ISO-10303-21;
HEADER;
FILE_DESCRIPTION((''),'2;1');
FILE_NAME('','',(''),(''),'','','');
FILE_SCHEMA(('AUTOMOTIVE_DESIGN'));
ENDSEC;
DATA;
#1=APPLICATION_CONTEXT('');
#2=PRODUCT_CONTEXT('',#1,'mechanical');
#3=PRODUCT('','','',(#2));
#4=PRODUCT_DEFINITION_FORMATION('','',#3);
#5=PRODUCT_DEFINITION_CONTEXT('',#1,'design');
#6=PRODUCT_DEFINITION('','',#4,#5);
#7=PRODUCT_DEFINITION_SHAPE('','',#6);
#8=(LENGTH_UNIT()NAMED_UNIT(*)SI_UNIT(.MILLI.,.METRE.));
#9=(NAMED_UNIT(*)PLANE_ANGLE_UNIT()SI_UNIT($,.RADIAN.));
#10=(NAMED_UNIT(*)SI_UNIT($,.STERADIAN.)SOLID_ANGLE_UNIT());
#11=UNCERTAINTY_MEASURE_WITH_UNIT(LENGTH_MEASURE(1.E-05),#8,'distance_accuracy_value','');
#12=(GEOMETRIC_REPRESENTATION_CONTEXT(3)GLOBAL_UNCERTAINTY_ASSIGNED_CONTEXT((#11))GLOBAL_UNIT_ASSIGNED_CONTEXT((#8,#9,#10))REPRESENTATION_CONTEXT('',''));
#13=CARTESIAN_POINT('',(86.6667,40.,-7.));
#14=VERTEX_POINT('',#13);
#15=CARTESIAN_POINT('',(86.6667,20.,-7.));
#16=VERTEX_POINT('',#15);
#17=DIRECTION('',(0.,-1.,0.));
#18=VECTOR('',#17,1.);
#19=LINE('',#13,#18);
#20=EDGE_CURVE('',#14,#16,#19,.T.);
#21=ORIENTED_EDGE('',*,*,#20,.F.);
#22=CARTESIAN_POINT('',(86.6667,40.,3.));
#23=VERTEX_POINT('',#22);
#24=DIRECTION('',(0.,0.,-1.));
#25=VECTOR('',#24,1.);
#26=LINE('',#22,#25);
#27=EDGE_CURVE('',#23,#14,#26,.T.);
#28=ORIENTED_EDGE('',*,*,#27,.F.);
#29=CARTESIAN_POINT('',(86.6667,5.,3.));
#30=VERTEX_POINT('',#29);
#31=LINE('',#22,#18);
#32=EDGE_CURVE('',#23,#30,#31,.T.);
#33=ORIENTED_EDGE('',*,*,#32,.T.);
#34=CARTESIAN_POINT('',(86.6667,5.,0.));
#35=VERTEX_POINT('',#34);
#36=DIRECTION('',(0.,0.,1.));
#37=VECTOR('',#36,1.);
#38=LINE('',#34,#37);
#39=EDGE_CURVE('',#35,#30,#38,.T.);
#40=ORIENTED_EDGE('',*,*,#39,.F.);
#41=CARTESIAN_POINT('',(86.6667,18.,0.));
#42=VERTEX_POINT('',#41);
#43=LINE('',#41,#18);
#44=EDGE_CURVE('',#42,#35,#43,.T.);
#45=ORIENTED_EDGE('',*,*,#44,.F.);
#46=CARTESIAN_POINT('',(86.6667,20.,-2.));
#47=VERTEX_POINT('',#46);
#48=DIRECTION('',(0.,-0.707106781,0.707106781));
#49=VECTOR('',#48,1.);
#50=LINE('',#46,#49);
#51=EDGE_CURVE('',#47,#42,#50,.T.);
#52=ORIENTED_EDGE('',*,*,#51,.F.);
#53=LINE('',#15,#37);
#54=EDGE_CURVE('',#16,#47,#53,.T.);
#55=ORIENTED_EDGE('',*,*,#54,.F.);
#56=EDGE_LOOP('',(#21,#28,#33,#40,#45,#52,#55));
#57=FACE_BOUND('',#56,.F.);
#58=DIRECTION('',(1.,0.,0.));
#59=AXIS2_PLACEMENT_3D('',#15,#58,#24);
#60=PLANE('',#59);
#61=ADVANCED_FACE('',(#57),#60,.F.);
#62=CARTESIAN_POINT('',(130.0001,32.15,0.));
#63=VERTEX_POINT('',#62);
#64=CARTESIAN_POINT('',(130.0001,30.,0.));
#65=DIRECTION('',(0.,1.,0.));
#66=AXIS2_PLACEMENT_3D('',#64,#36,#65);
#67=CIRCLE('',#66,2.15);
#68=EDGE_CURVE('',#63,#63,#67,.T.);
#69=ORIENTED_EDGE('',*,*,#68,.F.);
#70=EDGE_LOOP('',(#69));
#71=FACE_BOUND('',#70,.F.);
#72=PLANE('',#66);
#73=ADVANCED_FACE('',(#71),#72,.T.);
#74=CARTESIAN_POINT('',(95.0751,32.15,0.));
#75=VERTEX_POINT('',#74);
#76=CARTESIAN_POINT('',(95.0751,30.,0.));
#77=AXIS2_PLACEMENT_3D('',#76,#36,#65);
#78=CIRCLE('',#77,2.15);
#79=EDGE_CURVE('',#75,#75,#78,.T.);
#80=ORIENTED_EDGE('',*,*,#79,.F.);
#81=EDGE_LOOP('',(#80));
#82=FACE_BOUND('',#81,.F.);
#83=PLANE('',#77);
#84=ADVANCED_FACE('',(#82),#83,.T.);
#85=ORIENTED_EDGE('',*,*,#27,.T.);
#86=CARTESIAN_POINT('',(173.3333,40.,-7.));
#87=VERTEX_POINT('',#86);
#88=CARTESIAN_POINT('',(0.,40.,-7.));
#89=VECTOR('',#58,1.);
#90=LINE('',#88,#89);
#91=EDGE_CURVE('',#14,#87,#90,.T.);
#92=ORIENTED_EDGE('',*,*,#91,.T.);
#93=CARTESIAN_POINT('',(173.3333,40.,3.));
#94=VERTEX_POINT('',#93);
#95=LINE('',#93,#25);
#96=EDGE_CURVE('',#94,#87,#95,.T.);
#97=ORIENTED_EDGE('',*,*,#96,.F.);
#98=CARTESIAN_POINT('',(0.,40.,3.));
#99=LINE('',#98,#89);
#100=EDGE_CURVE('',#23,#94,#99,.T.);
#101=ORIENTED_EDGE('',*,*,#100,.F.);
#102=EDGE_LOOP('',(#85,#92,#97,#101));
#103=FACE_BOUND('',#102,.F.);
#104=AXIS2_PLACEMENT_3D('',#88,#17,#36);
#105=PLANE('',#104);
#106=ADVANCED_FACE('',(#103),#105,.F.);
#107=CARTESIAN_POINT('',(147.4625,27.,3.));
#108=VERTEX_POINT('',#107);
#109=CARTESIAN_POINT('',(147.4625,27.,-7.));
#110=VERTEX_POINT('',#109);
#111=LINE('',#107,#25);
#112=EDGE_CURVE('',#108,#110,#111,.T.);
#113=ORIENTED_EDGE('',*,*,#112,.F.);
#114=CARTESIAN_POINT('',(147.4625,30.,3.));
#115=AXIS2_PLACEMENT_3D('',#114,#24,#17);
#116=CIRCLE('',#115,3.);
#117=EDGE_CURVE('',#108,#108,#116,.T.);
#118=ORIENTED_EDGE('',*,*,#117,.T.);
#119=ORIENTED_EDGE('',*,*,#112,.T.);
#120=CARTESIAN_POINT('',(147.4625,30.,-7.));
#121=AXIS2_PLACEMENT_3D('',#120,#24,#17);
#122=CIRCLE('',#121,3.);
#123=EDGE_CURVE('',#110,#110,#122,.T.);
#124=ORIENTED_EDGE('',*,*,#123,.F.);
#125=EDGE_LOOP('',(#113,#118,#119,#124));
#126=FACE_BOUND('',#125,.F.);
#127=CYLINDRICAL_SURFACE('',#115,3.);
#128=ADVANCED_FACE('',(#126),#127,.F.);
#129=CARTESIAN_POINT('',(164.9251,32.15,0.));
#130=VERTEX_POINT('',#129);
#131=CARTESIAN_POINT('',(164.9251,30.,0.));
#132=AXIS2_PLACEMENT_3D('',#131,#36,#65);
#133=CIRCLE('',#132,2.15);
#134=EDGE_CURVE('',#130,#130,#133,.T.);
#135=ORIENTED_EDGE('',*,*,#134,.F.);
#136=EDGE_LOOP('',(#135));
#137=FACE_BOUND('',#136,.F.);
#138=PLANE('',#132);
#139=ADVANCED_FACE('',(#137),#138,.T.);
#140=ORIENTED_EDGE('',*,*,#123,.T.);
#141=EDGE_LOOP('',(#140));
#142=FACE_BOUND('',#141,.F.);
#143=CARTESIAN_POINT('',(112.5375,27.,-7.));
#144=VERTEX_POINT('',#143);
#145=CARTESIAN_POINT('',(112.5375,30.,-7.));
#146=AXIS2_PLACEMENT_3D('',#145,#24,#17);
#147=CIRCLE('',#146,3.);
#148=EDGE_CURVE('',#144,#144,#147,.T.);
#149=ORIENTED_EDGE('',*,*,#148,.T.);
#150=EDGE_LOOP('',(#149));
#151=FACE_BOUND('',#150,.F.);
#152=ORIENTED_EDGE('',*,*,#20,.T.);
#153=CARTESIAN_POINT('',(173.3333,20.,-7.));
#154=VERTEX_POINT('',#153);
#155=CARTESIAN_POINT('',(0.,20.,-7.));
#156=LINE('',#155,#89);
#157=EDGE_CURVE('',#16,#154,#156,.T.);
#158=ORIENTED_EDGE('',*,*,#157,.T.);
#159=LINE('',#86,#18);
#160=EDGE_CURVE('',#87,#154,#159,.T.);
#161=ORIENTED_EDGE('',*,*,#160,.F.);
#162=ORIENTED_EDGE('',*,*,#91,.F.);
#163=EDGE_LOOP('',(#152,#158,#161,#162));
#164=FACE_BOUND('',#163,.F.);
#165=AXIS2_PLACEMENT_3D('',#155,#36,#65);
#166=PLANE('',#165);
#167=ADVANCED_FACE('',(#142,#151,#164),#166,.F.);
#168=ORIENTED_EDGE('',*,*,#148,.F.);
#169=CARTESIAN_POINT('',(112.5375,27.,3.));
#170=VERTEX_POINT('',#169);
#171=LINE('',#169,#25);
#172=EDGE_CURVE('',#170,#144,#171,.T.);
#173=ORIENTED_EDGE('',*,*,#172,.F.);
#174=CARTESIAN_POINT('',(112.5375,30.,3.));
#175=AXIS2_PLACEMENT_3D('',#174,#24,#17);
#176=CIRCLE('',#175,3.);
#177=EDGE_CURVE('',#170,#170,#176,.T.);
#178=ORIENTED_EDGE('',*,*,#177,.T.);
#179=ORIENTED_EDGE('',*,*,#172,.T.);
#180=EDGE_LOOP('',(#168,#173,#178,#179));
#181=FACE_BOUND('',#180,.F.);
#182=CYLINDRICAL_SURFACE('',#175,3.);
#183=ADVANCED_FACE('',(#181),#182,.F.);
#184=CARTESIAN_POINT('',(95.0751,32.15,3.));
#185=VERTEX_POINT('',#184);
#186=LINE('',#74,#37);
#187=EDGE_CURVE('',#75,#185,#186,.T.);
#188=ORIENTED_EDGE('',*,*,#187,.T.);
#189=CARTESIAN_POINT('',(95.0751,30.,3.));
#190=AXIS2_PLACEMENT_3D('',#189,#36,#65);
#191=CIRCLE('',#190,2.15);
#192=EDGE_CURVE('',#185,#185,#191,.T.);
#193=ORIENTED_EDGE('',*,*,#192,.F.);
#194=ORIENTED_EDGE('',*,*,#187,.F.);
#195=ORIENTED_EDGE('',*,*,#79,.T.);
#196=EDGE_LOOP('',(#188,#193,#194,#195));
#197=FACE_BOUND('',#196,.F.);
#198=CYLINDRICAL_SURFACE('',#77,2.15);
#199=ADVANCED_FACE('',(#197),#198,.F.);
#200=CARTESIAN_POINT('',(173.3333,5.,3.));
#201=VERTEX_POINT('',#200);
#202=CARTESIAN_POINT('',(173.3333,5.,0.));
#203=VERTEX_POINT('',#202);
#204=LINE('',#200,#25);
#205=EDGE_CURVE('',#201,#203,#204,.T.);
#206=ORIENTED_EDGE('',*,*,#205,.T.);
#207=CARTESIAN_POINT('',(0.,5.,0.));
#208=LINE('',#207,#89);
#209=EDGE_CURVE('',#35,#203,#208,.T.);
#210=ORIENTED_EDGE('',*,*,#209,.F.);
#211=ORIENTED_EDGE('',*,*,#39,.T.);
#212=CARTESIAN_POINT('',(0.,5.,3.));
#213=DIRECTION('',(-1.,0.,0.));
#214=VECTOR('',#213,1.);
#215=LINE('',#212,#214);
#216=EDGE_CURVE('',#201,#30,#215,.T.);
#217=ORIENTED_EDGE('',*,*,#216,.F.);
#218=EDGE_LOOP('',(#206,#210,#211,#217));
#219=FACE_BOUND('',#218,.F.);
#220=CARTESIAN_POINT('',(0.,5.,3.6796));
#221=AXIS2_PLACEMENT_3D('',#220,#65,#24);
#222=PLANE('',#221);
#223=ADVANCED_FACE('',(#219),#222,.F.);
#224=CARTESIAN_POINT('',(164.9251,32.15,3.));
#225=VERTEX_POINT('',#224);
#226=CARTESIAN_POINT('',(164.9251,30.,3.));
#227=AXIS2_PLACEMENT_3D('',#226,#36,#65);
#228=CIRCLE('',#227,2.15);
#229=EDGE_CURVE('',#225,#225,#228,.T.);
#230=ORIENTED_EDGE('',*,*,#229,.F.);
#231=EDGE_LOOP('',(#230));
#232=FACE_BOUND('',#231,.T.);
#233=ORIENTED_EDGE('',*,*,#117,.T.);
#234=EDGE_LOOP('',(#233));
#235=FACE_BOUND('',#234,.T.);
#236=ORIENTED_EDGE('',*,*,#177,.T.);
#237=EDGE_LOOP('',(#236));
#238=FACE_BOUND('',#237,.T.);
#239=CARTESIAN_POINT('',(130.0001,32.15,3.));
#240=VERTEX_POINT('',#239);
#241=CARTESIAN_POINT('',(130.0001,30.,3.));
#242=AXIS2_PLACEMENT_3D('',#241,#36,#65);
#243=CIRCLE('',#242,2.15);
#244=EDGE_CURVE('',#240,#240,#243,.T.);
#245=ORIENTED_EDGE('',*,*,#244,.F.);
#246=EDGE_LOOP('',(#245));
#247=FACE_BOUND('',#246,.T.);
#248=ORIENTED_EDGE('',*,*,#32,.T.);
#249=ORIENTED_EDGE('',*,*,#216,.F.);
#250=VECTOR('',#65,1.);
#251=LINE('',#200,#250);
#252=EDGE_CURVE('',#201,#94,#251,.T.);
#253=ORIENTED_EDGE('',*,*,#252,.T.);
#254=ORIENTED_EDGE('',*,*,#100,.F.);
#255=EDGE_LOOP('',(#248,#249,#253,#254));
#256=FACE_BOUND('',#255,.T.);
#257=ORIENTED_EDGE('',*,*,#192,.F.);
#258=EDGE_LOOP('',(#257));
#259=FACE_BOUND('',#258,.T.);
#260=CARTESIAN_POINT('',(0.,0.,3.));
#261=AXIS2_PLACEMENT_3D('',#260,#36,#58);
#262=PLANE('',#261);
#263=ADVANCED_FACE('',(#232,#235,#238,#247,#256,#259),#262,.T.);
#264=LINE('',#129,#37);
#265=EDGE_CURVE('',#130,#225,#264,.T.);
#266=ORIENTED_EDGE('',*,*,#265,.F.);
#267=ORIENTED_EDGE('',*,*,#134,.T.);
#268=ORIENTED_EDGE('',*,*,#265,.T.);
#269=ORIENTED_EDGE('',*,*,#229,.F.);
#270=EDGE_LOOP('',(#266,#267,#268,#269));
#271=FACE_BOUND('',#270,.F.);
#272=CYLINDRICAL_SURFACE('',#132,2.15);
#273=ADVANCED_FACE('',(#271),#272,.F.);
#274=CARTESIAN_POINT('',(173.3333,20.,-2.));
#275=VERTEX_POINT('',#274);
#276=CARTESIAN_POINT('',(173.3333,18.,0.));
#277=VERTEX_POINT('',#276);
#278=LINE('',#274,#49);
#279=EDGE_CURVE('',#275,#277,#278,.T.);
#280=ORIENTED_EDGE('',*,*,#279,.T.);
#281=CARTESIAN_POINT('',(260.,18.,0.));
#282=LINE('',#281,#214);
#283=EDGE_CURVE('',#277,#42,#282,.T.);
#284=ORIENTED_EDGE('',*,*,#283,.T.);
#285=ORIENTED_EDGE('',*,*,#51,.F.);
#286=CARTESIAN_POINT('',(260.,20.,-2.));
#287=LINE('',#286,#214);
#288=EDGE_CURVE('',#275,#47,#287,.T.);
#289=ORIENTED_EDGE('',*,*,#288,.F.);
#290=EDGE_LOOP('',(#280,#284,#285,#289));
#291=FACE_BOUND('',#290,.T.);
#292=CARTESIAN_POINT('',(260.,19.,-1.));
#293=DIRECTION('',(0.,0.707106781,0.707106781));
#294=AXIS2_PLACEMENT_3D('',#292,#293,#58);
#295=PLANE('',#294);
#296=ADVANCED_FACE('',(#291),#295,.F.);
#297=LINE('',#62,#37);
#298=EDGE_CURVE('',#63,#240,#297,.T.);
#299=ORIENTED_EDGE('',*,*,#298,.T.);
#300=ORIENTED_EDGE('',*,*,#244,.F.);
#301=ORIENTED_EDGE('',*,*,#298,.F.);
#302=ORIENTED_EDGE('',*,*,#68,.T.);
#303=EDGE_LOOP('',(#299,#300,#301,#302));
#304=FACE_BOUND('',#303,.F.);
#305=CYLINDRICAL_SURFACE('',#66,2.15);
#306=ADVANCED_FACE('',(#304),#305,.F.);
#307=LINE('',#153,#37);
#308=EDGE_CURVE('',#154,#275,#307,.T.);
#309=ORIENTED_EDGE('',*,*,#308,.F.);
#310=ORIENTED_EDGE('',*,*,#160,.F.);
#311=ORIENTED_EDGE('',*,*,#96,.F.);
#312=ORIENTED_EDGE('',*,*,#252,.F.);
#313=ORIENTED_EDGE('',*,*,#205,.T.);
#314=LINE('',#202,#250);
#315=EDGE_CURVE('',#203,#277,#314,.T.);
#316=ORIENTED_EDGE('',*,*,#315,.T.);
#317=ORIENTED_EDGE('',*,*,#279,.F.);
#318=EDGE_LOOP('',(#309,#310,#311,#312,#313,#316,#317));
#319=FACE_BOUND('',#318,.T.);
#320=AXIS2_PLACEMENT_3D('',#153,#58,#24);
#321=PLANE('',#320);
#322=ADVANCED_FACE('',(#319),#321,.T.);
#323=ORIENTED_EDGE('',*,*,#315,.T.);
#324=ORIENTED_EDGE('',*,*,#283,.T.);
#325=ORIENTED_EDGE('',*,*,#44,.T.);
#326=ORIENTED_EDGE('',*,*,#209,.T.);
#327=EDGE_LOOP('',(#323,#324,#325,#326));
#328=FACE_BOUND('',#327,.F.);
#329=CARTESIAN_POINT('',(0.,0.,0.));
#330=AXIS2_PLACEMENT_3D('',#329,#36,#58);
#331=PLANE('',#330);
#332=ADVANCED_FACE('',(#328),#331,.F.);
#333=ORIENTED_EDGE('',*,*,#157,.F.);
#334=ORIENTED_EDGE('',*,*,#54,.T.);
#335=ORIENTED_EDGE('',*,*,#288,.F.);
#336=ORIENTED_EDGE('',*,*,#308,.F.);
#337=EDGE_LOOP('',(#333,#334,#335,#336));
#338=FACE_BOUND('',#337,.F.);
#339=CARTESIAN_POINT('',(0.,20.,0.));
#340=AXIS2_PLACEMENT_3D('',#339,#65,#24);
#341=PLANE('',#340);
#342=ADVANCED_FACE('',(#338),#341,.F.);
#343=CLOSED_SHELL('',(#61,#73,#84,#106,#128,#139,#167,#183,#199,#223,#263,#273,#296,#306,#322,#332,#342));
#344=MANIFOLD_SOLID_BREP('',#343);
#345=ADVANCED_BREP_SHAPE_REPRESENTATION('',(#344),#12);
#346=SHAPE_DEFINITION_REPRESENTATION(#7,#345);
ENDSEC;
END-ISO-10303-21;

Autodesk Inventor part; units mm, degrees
ref_plane "YZ Plane" through (0, 0, 0) normal (1, 0, 0) x (0, 1, 0)
sketch "Sketch1" plane through (0, 0, 0) normal (0, 0, 1) x (1, 0, 0)
  line L0 (0, 0) -> (260, 0)
  line L1 (260, 0) -> (260, 20)
  line L2 (260, 20) -> (0, 20)
  line L3 (0, 20) -> (0, 0)
  dimension "d0" = 260
  dimension "d1" = 20
extrude "Extrusion1" add sketch "Sketch1" along normal blind 3
sketch "Sketch2" plane through (0, 0, 0) normal (0, 0, -1) x (-1, 0, 0)
  line L0 (0, 0) -> (-260, 0) projected
  line L1 (-12.5251, -24.7625) -> (-37.9251, -24.7625) projected
  line L2 (-260, 20) -> (0, 20) projected
  point P0 (-25.2251, 30)
  dimension "d5" = 25.4
  dimension "d6" = 12.7
  dimension "d62" = 10
sketch "Sketch5" plane through (0, 0, 0) normal (-1, 0, 0) x (0, 0, 1)
  line L0 (0, 20) -> (3, 20) projected
  line L1 (3, 20) -> (-7, 20)
  line L2 (-7, 20) -> (-7, 40)
  line L3 (-7, 40) -> (3, 40)
  line L4 (3, 40) -> (3, 20)
  point P0 (0, 0)
  point P1 (3, 30)
  point P2 (1.5, 20)
  dimension "d31" = 10
  dimension "d32" = 20
extrude "Extrusion3" add sketch "Sketch5" against normal up to surface (260 mm away)
sketch "Sketch6" plane through (0, 0, 3) normal (0, 0, 1) x (1, 0, 0)
  line L0 (0, 0) -> (0, 40) projected
  line L1 (260, 0) -> (260, 40) projected
  line L2 (0, 40) -> (260, 40) projected
  point P0 (42.6875, 30)
  point P1 (77.6125, 30)
  point P2 (182.3875, 30)
  point P3 (217.3125, 30)
  point P4 (112.5375, 30)
  point P5 (147.4625, 30)
  dimension "d35" = 42.6875
  dimension "d46" = 42.6875
  dimension "d47" = 34.925
  dimension "d48" = 34.925
  dimension "d49" = 34.925
  dimension "d50" = 34.925
  dimension "d51" = 10
hole "Hole2" at (42.6875, 30, 3) at (77.6125, 30, 3) at (182.3875, 30, 3) at (217.3125, 30, 3) at (112.5375, 30, 3) at (147.4625, 30, 3) direction (0, 0, -1) diameter 6 end through all
hole "Hole3" at (25.2251, 30, 0) direction (0, 0, 1) diameter 4.3 depth 6
pattern_linear "Rectangular Pattern2" count 7 spacing 34.925 along (1, 0, 0) of "Hole3"
chamfer "Chamfer1" distance 2 angle 45 1 edges at (130, 20, 0)
sketch "Sketch7" plane through (0, 0, 0) normal (-1, 0, 0) x (0, 0, 1)
  line L0 (0, 0) -> (3, 0) projected
  line L1 (0, 0) -> (3.6796, 0)
  line L2 (3.6796, 0) -> (3.6796, 5)
  line L3 (3.6796, 5) -> (0, 5)
  line L4 (0, 5) -> (0, 0)
  dimension "d66" = 5
extrude "Extrusion4" cut sketch "Sketch7" against normal through all
ref_plane "Work Plane1" through (173.3333, 20, -7) normal (1, 0, 0) x (0, 0, -1)
ref_plane "Work Plane2" through (86.6667, 20, -7) normal (1, 0, 0) x (0, 0, -1)
sketch "Sketch8" plane through (173.3333, 20, -7) normal (1, 0, 0) x (0, 0, -1)
  line L0 (-10, -15) -> (-7, -15) projected
  line L1 (-7, -15) -> (-7, -2) projected
  line L2 (-5, 0) -> (-7, -2) projected
  line L3 (0, 0) -> (-5, 0) projected
  line L4 (0, 20) -> (0, 0) projected
  line L5 (-10, 20) -> (0, 20) projected
  line L6 (-10, -15) -> (-10, 20) projected
  point P0 (-7, -20)
extrude "Extrusion5" cut sketch "Sketch8" along normal through all
sketch "Sketch9" plane through (86.6667, 20, -7) normal (1, 0, 0) x (0, 0, -1)
  line L0 (0, 13) -> (-10, 13) projected
  line L1 (-7, -15) -> (-10, -15) projected
  line L2 (-7, -2) -> (-7, -15) projected
  line L3 (-5, 0) -> (-7, -2) projected
  line L4 (0, 0) -> (-5, 0) projected
  line L5 (0, 20) -> (0, 0) projected
  line L6 (-10, 20) -> (0, 20) projected
  line L7 (-10, -15) -> (-10, 20) projected
  point P0 (-7, -20)
extrude "Extrusion6" cut sketch "Sketch9" against normal through all
equation "\"d6\" = 0.5 * d5"
equation "\"d46\" = d35"
equation "\"d48\" = d47"
equation "\"d49\" = d47"
equation "\"d50\" = d47"
properties part number "IR_Mount_Plate_3DPrint"
